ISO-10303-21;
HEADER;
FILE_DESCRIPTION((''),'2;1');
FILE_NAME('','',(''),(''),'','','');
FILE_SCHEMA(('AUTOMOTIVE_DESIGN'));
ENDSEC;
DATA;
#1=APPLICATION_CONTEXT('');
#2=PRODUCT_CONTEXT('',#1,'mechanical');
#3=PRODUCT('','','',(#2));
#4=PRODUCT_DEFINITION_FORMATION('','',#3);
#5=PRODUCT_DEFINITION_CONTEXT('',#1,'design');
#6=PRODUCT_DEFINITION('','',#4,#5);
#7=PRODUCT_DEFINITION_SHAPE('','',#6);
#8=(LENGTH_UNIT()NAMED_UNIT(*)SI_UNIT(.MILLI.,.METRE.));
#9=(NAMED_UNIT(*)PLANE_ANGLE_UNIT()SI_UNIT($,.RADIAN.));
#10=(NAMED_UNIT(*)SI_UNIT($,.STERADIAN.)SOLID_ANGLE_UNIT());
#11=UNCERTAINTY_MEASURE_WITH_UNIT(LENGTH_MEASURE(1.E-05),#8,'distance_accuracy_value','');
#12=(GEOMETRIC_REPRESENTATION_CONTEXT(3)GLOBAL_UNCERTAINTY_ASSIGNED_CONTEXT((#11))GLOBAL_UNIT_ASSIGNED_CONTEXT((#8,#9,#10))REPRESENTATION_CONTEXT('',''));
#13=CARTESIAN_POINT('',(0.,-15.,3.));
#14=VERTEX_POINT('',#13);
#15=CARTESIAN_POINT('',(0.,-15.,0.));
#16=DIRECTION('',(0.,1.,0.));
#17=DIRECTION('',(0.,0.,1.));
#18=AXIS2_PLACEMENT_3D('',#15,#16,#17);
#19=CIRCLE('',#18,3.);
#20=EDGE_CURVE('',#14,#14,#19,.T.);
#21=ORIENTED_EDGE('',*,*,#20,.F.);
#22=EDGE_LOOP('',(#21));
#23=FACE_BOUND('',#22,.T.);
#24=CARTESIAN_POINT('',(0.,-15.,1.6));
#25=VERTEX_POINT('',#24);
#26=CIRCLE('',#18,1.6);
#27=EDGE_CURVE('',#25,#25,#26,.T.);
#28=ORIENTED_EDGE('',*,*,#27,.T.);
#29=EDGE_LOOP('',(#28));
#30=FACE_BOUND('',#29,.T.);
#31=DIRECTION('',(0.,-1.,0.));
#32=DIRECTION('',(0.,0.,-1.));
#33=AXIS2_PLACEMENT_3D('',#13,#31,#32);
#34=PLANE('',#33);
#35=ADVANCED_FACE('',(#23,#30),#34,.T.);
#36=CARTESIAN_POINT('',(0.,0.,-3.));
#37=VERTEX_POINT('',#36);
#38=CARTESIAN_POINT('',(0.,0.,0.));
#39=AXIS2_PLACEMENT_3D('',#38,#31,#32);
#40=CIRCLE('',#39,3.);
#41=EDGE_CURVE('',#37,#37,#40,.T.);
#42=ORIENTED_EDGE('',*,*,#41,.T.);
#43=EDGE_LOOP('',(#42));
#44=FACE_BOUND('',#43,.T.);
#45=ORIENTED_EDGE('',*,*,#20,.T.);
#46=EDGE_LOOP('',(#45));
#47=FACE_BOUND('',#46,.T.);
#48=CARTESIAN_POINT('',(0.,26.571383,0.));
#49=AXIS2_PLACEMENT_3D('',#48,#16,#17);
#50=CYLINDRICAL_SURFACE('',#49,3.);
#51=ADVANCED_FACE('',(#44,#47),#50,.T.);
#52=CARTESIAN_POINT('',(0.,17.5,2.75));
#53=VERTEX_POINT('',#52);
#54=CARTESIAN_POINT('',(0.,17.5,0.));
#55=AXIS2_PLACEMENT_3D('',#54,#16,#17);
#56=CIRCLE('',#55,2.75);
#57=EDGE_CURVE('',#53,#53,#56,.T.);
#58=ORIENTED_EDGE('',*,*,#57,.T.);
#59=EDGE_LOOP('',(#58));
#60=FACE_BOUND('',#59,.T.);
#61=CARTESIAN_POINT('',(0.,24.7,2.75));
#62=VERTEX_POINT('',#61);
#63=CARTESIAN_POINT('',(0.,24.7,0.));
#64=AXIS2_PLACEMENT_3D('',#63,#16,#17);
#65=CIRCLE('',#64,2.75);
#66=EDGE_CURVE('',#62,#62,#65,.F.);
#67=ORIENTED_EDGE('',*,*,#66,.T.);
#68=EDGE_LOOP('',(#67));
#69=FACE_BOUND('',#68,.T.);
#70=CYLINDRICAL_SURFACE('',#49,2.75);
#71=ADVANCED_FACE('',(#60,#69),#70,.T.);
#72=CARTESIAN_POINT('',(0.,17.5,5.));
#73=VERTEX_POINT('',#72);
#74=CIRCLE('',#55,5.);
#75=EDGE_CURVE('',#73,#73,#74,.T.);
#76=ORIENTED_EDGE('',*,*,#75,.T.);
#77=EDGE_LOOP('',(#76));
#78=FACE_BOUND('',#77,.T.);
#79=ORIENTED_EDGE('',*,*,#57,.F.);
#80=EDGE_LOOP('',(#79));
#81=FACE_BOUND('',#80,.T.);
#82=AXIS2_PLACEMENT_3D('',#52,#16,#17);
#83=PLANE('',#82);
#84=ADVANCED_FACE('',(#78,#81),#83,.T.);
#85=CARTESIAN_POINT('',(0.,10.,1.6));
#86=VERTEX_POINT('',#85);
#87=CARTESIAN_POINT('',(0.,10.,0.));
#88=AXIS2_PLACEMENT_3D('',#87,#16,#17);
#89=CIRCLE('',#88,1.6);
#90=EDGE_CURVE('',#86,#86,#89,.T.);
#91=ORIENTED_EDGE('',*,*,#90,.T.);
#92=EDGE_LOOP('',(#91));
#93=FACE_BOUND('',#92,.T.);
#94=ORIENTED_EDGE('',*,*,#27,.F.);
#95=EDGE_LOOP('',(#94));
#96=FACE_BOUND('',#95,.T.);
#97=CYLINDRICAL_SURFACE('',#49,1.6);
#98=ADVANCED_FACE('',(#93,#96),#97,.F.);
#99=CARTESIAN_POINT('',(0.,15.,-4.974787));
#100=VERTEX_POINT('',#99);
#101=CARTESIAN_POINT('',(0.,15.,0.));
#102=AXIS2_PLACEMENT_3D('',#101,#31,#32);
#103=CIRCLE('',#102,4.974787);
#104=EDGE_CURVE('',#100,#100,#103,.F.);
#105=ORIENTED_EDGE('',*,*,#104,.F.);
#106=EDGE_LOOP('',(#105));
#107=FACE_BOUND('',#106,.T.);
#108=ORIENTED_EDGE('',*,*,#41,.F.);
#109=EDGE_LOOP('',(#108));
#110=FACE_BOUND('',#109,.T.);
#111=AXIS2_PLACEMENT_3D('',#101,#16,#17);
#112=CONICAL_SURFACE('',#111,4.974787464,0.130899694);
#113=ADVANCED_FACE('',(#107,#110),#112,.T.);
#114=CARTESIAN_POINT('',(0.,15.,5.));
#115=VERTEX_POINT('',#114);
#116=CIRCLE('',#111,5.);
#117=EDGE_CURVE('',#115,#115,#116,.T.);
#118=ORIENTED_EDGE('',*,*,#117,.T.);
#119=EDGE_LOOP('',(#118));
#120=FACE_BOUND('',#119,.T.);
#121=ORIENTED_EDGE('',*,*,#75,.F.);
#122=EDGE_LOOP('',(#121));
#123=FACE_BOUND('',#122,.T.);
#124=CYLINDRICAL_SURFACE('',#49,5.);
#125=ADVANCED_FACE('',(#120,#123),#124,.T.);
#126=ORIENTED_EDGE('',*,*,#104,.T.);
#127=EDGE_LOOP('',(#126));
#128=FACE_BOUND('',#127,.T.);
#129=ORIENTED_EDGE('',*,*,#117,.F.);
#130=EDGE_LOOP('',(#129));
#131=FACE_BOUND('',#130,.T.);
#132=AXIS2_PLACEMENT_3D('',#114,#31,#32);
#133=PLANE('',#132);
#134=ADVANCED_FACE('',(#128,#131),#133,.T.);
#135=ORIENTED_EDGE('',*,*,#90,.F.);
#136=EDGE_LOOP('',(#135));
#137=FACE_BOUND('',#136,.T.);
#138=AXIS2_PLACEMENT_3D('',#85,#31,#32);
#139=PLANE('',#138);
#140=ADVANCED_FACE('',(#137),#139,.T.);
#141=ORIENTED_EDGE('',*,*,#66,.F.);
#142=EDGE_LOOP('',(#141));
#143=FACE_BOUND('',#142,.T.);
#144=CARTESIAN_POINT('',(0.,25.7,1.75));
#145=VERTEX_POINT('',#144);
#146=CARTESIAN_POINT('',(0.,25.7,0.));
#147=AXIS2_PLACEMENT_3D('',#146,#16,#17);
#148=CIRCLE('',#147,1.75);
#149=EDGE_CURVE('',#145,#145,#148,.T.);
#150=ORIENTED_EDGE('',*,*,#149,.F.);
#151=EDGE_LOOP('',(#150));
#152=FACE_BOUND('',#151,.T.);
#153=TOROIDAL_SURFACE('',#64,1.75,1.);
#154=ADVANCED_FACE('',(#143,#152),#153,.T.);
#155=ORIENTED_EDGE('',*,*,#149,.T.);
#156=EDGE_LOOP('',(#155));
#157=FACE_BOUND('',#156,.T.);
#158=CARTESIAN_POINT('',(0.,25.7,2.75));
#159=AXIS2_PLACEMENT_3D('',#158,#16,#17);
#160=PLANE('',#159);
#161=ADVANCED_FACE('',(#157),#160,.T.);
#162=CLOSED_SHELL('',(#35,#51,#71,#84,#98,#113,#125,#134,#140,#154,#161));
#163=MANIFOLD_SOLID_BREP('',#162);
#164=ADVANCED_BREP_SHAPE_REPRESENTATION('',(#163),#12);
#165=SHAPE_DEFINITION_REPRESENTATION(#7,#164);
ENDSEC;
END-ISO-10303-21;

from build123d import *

# Parameters (mm, degrees)
FILLET1_R      = 1
CHAMFER1_SIZE  = 15
CHAMFER1_SIZE2 = 1.974787464


with BuildPart() as part:
    # Sketch1 → Revolve1 (revolve)
    with BuildSketch(Plane(origin=(0, 0, 0), x_dir=(0, 0, -1), z_dir=(1, 0, 0))):
        Polygon((-2.75, 25.7), (-2.75, 17.5), (-5, 17.5), (-5, 15), (-3, 15), (-3, -15), (-1.6, -15), (-1.6, 10), (0, 10), (0, 25.7), align=None)
    revolve(axis=Axis((0, 26.571382603, 0), (0, -1, 0)))

    # Fillet1
    fillet1_edges = [part.edges().sort_by_distance(p)[0] for p in [
        (0, 25.7, -2.75),
    ]]
    fillet(fillet1_edges, radius=FILLET1_R)

    # Chamfer1
    chamfer1_edges = [part.edges().sort_by_distance(p)[0] for p in [
        (0, 15, -3),
    ]]
    chamfer1_side = [part.faces().sort_by_distance(p)[0] for p in [
        (0, 0, -3),
    ]]
    chamfer(chamfer1_edges, length=CHAMFER1_SIZE, length2=CHAMFER1_SIZE2, reference=chamfer1_side[0])


solid = part.part
